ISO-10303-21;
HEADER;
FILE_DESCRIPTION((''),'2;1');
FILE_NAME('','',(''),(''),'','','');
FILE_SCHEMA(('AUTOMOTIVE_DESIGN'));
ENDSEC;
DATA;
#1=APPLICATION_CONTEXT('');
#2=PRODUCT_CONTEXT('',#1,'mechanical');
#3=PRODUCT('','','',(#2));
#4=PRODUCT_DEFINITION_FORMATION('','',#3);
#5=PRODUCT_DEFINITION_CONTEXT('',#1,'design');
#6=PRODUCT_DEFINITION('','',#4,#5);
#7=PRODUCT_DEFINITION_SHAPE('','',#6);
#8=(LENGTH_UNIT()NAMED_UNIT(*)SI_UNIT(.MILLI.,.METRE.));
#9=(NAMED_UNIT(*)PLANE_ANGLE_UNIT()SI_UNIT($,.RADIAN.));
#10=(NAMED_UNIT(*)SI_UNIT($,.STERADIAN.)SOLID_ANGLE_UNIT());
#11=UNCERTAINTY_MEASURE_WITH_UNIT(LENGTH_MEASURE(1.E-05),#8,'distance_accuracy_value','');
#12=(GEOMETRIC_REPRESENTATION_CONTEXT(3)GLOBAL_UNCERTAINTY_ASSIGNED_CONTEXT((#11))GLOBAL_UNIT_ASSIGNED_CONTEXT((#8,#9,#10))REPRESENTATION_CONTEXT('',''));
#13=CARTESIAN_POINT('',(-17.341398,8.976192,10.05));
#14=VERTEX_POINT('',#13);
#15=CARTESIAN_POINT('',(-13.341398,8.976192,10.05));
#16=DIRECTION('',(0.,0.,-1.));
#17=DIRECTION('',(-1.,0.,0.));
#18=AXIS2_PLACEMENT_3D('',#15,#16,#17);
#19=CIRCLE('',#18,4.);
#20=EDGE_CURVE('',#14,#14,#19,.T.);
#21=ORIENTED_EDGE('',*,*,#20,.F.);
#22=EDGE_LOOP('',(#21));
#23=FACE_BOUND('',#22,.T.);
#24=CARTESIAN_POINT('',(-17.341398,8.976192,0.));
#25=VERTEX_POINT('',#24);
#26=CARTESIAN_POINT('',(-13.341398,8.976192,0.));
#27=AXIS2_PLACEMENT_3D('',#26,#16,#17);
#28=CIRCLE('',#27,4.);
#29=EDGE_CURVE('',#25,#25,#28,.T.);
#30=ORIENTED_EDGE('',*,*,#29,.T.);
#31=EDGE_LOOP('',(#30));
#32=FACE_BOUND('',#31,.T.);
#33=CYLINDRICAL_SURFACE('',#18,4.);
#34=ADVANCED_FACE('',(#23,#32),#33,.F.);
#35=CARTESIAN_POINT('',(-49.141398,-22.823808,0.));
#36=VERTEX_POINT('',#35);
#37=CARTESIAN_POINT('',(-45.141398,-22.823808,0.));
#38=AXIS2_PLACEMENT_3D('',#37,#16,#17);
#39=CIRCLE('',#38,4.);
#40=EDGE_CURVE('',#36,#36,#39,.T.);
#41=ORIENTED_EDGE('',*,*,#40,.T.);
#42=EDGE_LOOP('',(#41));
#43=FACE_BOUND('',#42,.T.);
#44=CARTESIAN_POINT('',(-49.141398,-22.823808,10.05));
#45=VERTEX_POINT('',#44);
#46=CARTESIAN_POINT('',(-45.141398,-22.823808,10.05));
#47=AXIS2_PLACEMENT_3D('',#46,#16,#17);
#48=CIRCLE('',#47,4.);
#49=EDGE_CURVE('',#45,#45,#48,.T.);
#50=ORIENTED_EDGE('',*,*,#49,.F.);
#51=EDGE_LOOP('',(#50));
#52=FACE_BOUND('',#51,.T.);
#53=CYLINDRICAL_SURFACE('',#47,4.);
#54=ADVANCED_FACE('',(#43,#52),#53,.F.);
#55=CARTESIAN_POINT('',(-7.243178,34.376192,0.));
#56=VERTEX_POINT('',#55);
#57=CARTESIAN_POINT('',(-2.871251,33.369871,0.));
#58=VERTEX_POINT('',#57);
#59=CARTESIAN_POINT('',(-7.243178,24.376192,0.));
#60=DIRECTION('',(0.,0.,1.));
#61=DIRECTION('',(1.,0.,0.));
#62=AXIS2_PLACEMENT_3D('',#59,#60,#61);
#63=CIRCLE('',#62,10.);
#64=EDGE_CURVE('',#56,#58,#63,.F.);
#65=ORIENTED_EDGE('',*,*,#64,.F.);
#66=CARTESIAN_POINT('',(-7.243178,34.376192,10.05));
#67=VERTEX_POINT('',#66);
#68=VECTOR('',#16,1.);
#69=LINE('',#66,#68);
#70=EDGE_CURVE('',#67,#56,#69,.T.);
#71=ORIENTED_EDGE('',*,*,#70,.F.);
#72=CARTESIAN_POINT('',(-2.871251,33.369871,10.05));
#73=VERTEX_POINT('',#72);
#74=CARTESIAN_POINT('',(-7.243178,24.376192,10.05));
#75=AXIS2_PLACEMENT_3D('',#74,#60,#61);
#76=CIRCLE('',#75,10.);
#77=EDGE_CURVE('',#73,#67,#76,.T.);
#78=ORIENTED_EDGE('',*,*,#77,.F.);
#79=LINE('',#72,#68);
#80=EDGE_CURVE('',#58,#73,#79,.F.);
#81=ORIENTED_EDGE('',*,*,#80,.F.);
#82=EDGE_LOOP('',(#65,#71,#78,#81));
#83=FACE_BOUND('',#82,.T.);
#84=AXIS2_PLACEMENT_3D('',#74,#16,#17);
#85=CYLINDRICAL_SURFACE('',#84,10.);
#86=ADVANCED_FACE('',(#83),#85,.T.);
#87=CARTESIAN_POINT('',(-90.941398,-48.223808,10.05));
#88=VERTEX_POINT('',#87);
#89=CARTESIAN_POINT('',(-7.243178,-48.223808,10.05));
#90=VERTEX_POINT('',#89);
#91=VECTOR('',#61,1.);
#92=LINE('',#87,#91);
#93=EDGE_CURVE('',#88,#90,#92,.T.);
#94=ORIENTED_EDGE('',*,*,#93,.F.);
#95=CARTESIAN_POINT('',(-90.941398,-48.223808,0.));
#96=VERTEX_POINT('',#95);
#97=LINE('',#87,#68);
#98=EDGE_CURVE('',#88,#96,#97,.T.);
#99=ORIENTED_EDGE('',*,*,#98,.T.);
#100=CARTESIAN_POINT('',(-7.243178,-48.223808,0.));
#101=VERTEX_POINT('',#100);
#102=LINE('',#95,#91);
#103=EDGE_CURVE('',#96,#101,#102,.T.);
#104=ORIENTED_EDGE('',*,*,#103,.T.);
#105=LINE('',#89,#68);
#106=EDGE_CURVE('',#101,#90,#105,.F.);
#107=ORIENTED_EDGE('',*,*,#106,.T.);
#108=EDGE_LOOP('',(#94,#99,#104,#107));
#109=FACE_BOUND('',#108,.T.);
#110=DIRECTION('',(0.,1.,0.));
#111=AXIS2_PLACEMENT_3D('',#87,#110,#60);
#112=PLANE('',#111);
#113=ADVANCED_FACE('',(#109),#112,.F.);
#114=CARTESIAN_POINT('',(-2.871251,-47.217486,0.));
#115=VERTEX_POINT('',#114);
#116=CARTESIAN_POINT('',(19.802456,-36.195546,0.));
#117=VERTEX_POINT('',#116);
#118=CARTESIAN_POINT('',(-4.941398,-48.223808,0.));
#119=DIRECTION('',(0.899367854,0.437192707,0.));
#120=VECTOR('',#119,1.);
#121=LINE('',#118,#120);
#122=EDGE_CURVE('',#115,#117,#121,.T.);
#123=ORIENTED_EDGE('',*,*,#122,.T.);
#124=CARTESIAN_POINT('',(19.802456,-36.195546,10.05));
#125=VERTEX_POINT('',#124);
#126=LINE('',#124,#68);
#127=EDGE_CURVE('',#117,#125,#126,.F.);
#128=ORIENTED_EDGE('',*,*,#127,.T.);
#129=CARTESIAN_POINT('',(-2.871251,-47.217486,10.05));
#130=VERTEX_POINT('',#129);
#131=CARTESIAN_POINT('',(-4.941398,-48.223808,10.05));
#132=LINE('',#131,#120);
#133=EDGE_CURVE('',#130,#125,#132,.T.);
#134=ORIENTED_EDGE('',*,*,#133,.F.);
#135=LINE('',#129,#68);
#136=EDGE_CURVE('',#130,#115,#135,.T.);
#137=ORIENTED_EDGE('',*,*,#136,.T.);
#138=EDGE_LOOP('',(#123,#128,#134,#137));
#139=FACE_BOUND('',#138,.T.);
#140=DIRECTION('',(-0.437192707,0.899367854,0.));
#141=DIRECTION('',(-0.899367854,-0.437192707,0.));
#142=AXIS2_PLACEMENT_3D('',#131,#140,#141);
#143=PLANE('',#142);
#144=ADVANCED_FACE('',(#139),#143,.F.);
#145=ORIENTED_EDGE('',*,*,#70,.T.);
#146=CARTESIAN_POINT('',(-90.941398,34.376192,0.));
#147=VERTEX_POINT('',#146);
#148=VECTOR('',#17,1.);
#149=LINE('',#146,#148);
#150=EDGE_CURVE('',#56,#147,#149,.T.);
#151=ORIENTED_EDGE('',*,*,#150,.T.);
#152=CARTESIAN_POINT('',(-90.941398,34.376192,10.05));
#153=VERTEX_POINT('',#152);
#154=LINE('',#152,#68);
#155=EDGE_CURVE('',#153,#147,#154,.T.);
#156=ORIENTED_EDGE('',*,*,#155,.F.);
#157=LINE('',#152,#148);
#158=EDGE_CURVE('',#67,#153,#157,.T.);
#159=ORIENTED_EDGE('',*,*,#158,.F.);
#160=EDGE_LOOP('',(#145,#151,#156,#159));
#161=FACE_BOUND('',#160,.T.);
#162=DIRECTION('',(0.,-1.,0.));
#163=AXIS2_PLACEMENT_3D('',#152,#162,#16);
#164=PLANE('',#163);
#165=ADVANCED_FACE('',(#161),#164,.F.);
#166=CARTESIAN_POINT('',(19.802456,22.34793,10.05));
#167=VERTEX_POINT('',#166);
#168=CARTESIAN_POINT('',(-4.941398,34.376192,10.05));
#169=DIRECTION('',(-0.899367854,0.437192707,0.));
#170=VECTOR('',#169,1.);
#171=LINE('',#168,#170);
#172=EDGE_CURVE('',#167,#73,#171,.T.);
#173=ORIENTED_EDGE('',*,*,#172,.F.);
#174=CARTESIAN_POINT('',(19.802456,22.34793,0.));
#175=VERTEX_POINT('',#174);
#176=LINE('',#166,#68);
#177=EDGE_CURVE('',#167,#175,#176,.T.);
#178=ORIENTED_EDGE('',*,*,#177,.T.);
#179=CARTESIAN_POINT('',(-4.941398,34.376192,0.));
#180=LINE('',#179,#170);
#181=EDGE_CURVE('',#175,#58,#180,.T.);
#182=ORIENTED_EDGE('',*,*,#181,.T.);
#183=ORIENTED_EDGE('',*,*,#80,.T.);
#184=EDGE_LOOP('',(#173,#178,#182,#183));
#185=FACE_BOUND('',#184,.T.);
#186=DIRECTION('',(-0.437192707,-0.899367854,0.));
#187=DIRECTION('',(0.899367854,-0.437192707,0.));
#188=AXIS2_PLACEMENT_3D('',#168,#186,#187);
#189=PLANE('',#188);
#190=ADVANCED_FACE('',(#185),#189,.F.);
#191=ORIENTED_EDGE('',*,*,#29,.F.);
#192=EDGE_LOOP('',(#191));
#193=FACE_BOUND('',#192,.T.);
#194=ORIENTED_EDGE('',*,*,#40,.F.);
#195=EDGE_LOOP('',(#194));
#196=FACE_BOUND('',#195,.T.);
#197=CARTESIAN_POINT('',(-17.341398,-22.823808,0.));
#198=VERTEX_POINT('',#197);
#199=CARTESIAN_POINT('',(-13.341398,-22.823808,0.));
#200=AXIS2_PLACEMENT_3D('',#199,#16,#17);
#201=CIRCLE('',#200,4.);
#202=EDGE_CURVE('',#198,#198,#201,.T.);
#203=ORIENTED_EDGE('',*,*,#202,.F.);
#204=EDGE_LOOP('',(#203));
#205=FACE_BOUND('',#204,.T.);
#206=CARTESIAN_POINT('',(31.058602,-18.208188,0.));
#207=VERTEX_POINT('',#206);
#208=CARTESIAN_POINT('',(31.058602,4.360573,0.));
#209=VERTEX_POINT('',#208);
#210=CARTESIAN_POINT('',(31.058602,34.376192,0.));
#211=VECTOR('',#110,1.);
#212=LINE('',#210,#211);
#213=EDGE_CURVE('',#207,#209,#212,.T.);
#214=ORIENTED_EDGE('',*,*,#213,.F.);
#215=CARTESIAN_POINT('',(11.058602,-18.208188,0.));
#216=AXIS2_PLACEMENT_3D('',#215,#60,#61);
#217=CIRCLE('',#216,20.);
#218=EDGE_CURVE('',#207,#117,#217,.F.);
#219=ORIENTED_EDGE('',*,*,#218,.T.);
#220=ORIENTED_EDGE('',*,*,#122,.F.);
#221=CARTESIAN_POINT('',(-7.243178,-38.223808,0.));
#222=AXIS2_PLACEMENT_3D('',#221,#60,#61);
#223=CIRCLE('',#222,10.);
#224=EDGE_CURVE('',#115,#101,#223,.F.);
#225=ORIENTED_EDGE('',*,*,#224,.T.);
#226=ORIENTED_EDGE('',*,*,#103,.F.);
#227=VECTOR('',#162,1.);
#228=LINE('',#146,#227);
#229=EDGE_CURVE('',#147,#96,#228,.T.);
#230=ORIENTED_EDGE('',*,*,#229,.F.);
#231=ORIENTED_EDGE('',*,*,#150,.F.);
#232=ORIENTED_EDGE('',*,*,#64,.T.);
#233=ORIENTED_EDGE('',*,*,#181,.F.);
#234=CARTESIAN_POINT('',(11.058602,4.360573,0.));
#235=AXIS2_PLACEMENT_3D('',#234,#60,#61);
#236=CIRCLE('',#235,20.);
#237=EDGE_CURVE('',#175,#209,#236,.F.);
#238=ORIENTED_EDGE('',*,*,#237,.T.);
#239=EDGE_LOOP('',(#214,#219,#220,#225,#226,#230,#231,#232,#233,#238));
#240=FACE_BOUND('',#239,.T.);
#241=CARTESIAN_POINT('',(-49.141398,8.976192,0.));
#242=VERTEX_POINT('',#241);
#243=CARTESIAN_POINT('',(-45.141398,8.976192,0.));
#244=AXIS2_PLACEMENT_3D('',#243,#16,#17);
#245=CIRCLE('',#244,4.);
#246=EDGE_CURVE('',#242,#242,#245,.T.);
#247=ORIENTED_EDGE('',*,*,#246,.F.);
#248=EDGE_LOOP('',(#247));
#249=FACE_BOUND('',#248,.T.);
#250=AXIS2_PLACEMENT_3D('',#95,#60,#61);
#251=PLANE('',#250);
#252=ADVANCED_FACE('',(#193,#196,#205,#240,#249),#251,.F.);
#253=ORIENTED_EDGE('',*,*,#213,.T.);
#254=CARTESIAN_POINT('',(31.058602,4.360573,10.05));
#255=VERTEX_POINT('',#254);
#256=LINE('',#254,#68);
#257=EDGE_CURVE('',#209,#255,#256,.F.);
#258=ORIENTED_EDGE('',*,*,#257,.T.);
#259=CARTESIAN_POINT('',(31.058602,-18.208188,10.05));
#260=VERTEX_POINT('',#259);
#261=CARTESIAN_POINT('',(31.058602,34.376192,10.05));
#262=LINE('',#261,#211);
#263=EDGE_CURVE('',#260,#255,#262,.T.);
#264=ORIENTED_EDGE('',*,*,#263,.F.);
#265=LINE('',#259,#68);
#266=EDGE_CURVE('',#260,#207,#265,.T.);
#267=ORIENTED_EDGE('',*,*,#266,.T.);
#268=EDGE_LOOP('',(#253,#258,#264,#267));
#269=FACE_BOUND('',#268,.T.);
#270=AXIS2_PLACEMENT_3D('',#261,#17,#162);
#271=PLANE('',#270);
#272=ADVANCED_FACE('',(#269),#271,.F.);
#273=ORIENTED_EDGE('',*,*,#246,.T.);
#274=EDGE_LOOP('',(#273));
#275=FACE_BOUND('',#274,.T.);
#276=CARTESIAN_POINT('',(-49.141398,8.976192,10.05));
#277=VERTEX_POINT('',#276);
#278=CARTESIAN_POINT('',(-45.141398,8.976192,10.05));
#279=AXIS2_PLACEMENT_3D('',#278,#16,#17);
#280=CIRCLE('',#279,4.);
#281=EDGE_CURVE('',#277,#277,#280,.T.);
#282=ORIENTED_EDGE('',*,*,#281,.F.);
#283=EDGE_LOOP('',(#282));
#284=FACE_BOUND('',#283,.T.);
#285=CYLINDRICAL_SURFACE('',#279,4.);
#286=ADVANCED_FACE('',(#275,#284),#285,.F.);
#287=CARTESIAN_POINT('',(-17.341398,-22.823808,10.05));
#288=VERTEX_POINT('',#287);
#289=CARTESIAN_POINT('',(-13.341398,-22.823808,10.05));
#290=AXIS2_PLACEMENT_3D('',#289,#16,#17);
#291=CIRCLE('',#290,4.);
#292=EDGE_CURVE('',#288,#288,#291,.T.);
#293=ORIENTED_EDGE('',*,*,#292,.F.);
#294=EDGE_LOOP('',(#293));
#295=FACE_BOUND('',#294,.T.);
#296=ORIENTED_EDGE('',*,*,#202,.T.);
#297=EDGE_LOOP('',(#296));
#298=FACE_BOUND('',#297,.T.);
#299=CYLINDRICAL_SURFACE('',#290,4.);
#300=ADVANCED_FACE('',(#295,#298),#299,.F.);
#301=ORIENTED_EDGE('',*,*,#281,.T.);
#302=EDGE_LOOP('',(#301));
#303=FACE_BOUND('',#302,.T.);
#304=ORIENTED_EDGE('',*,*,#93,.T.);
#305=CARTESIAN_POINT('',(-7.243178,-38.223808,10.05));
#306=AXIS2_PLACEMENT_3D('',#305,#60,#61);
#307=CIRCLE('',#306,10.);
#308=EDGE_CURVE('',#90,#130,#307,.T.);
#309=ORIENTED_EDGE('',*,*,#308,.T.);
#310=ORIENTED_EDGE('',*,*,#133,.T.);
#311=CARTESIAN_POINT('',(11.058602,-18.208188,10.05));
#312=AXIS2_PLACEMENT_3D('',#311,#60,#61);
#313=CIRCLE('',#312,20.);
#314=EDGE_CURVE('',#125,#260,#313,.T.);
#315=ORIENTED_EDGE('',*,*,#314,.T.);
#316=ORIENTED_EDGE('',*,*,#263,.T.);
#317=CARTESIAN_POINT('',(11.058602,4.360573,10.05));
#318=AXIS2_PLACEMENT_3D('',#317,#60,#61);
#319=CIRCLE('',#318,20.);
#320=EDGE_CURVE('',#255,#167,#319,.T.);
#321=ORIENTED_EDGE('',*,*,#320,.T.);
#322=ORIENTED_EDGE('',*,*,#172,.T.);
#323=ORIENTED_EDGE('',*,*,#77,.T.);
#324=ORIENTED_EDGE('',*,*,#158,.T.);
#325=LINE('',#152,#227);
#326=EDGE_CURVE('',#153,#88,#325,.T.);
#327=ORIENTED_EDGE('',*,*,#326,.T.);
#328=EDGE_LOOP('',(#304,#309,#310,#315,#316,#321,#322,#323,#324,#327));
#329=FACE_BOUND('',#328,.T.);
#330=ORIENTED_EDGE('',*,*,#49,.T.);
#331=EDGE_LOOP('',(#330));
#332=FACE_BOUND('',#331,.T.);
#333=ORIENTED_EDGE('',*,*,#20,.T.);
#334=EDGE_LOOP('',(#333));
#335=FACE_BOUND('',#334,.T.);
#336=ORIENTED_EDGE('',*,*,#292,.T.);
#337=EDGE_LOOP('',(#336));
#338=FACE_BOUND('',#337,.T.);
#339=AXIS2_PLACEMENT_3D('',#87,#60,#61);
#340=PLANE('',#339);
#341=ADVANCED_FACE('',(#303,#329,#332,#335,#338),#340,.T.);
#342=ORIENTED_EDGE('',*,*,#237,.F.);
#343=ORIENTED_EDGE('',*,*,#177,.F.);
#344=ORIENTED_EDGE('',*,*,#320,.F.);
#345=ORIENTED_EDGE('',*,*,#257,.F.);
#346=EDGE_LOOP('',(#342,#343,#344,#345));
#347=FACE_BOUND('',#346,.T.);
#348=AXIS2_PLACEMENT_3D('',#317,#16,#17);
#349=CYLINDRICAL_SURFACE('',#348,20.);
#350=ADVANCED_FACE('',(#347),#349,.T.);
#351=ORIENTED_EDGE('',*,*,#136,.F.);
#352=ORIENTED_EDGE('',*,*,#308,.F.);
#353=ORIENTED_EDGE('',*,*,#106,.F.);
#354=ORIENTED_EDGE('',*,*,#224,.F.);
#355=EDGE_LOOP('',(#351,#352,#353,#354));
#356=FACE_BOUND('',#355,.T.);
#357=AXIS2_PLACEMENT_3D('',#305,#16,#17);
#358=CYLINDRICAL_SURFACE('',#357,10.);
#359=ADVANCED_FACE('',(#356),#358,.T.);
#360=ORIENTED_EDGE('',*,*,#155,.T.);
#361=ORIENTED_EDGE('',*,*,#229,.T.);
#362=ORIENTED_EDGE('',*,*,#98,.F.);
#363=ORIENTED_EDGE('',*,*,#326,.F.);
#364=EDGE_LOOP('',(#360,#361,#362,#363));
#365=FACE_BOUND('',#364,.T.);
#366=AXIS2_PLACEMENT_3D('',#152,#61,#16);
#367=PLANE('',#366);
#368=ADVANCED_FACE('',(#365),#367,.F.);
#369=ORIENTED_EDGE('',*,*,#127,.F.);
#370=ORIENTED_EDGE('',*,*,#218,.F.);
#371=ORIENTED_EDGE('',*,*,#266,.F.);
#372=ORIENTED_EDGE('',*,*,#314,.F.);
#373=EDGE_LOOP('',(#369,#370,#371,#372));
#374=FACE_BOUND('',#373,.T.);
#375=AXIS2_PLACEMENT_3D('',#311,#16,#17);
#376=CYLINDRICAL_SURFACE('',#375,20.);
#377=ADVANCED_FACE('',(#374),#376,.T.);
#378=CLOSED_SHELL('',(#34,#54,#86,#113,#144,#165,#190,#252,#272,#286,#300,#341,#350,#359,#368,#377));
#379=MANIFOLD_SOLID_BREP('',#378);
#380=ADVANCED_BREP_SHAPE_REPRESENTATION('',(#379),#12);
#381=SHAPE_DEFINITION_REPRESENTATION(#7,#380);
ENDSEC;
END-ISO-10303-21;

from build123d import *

# Parameters (mm, degrees)
SKETCH1_W      = 122
SKETCH1_H      = 82.6
EXTRUDE1_DEPTH = 10.05
SKETCH2_R      = 4
EXTRUDE2_DEPTH = 11.05
EXTRUDE3_DEPTH = 11.05
FILLET1_R      = 10
FILLET2_R      = 20


with BuildPart() as part:
    # Sketch1 → Extrude1 (new body)
    with BuildSketch(Plane.XY):
        with Locations((-29.941398377, -6.923807929)):
            Rectangle(SKETCH1_W, SKETCH1_H)
    extrude(amount=EXTRUDE1_DEPTH)

    # Sketch2 → Extrude2 (cut, through all)
    with BuildSketch(Plane(origin=(0, 0, 0), x_dir=(-1, 0, 0), z_dir=(0, 0, -1))):
        with Locations((45.141398377, 8.976192071)):
            Circle(SKETCH2_R)
        with Locations((45.141398377, -22.823807929)):
            Circle(SKETCH2_R)
        with Locations((13.341398377, 8.976192071)):
            Circle(SKETCH2_R)
        with Locations((13.341398377, -22.823807929)):
            Circle(SKETCH2_R)
    extrude(amount=-EXTRUDE2_DEPTH, mode=Mode.SUBTRACT)

    # Sketch3 → Extrude3 (cut, through all)
    with BuildSketch(Plane(origin=(0, 0, 0), x_dir=(-1, 0, 0), z_dir=(0, 0, -1))):
        Polygon((4.941398377, 34.376192071), (-31.058601623, 16.876192071), (-39.457911359, 42.934117224), align=None)
        Polygon((-31.058601623, -30.723807929), (-39.457911359, -56.781733081), (4.941398377, -48.223807929), align=None)
    extrude(amount=-EXTRUDE3_DEPTH, mode=Mode.SUBTRACT)

    # Fillet1
    fillet1_edges = [part.edges().sort_by_distance(p)[0] for p in [
        (-4.941398377, 34.376192071, 5.025),
        (-4.941398377, -48.223807929, 5.025),
    ]]
    fillet(fillet1_edges, radius=FILLET1_R)

    # Fillet2
    fillet2_edges = [part.edges().sort_by_distance(p)[0] for p in [
        (31.058601623, 16.876192071, 5.025),
        (31.058601623, -30.723807929, 5.025),
    ]]
    fillet(fillet2_edges, radius=FILLET2_R)


solid = part.part
